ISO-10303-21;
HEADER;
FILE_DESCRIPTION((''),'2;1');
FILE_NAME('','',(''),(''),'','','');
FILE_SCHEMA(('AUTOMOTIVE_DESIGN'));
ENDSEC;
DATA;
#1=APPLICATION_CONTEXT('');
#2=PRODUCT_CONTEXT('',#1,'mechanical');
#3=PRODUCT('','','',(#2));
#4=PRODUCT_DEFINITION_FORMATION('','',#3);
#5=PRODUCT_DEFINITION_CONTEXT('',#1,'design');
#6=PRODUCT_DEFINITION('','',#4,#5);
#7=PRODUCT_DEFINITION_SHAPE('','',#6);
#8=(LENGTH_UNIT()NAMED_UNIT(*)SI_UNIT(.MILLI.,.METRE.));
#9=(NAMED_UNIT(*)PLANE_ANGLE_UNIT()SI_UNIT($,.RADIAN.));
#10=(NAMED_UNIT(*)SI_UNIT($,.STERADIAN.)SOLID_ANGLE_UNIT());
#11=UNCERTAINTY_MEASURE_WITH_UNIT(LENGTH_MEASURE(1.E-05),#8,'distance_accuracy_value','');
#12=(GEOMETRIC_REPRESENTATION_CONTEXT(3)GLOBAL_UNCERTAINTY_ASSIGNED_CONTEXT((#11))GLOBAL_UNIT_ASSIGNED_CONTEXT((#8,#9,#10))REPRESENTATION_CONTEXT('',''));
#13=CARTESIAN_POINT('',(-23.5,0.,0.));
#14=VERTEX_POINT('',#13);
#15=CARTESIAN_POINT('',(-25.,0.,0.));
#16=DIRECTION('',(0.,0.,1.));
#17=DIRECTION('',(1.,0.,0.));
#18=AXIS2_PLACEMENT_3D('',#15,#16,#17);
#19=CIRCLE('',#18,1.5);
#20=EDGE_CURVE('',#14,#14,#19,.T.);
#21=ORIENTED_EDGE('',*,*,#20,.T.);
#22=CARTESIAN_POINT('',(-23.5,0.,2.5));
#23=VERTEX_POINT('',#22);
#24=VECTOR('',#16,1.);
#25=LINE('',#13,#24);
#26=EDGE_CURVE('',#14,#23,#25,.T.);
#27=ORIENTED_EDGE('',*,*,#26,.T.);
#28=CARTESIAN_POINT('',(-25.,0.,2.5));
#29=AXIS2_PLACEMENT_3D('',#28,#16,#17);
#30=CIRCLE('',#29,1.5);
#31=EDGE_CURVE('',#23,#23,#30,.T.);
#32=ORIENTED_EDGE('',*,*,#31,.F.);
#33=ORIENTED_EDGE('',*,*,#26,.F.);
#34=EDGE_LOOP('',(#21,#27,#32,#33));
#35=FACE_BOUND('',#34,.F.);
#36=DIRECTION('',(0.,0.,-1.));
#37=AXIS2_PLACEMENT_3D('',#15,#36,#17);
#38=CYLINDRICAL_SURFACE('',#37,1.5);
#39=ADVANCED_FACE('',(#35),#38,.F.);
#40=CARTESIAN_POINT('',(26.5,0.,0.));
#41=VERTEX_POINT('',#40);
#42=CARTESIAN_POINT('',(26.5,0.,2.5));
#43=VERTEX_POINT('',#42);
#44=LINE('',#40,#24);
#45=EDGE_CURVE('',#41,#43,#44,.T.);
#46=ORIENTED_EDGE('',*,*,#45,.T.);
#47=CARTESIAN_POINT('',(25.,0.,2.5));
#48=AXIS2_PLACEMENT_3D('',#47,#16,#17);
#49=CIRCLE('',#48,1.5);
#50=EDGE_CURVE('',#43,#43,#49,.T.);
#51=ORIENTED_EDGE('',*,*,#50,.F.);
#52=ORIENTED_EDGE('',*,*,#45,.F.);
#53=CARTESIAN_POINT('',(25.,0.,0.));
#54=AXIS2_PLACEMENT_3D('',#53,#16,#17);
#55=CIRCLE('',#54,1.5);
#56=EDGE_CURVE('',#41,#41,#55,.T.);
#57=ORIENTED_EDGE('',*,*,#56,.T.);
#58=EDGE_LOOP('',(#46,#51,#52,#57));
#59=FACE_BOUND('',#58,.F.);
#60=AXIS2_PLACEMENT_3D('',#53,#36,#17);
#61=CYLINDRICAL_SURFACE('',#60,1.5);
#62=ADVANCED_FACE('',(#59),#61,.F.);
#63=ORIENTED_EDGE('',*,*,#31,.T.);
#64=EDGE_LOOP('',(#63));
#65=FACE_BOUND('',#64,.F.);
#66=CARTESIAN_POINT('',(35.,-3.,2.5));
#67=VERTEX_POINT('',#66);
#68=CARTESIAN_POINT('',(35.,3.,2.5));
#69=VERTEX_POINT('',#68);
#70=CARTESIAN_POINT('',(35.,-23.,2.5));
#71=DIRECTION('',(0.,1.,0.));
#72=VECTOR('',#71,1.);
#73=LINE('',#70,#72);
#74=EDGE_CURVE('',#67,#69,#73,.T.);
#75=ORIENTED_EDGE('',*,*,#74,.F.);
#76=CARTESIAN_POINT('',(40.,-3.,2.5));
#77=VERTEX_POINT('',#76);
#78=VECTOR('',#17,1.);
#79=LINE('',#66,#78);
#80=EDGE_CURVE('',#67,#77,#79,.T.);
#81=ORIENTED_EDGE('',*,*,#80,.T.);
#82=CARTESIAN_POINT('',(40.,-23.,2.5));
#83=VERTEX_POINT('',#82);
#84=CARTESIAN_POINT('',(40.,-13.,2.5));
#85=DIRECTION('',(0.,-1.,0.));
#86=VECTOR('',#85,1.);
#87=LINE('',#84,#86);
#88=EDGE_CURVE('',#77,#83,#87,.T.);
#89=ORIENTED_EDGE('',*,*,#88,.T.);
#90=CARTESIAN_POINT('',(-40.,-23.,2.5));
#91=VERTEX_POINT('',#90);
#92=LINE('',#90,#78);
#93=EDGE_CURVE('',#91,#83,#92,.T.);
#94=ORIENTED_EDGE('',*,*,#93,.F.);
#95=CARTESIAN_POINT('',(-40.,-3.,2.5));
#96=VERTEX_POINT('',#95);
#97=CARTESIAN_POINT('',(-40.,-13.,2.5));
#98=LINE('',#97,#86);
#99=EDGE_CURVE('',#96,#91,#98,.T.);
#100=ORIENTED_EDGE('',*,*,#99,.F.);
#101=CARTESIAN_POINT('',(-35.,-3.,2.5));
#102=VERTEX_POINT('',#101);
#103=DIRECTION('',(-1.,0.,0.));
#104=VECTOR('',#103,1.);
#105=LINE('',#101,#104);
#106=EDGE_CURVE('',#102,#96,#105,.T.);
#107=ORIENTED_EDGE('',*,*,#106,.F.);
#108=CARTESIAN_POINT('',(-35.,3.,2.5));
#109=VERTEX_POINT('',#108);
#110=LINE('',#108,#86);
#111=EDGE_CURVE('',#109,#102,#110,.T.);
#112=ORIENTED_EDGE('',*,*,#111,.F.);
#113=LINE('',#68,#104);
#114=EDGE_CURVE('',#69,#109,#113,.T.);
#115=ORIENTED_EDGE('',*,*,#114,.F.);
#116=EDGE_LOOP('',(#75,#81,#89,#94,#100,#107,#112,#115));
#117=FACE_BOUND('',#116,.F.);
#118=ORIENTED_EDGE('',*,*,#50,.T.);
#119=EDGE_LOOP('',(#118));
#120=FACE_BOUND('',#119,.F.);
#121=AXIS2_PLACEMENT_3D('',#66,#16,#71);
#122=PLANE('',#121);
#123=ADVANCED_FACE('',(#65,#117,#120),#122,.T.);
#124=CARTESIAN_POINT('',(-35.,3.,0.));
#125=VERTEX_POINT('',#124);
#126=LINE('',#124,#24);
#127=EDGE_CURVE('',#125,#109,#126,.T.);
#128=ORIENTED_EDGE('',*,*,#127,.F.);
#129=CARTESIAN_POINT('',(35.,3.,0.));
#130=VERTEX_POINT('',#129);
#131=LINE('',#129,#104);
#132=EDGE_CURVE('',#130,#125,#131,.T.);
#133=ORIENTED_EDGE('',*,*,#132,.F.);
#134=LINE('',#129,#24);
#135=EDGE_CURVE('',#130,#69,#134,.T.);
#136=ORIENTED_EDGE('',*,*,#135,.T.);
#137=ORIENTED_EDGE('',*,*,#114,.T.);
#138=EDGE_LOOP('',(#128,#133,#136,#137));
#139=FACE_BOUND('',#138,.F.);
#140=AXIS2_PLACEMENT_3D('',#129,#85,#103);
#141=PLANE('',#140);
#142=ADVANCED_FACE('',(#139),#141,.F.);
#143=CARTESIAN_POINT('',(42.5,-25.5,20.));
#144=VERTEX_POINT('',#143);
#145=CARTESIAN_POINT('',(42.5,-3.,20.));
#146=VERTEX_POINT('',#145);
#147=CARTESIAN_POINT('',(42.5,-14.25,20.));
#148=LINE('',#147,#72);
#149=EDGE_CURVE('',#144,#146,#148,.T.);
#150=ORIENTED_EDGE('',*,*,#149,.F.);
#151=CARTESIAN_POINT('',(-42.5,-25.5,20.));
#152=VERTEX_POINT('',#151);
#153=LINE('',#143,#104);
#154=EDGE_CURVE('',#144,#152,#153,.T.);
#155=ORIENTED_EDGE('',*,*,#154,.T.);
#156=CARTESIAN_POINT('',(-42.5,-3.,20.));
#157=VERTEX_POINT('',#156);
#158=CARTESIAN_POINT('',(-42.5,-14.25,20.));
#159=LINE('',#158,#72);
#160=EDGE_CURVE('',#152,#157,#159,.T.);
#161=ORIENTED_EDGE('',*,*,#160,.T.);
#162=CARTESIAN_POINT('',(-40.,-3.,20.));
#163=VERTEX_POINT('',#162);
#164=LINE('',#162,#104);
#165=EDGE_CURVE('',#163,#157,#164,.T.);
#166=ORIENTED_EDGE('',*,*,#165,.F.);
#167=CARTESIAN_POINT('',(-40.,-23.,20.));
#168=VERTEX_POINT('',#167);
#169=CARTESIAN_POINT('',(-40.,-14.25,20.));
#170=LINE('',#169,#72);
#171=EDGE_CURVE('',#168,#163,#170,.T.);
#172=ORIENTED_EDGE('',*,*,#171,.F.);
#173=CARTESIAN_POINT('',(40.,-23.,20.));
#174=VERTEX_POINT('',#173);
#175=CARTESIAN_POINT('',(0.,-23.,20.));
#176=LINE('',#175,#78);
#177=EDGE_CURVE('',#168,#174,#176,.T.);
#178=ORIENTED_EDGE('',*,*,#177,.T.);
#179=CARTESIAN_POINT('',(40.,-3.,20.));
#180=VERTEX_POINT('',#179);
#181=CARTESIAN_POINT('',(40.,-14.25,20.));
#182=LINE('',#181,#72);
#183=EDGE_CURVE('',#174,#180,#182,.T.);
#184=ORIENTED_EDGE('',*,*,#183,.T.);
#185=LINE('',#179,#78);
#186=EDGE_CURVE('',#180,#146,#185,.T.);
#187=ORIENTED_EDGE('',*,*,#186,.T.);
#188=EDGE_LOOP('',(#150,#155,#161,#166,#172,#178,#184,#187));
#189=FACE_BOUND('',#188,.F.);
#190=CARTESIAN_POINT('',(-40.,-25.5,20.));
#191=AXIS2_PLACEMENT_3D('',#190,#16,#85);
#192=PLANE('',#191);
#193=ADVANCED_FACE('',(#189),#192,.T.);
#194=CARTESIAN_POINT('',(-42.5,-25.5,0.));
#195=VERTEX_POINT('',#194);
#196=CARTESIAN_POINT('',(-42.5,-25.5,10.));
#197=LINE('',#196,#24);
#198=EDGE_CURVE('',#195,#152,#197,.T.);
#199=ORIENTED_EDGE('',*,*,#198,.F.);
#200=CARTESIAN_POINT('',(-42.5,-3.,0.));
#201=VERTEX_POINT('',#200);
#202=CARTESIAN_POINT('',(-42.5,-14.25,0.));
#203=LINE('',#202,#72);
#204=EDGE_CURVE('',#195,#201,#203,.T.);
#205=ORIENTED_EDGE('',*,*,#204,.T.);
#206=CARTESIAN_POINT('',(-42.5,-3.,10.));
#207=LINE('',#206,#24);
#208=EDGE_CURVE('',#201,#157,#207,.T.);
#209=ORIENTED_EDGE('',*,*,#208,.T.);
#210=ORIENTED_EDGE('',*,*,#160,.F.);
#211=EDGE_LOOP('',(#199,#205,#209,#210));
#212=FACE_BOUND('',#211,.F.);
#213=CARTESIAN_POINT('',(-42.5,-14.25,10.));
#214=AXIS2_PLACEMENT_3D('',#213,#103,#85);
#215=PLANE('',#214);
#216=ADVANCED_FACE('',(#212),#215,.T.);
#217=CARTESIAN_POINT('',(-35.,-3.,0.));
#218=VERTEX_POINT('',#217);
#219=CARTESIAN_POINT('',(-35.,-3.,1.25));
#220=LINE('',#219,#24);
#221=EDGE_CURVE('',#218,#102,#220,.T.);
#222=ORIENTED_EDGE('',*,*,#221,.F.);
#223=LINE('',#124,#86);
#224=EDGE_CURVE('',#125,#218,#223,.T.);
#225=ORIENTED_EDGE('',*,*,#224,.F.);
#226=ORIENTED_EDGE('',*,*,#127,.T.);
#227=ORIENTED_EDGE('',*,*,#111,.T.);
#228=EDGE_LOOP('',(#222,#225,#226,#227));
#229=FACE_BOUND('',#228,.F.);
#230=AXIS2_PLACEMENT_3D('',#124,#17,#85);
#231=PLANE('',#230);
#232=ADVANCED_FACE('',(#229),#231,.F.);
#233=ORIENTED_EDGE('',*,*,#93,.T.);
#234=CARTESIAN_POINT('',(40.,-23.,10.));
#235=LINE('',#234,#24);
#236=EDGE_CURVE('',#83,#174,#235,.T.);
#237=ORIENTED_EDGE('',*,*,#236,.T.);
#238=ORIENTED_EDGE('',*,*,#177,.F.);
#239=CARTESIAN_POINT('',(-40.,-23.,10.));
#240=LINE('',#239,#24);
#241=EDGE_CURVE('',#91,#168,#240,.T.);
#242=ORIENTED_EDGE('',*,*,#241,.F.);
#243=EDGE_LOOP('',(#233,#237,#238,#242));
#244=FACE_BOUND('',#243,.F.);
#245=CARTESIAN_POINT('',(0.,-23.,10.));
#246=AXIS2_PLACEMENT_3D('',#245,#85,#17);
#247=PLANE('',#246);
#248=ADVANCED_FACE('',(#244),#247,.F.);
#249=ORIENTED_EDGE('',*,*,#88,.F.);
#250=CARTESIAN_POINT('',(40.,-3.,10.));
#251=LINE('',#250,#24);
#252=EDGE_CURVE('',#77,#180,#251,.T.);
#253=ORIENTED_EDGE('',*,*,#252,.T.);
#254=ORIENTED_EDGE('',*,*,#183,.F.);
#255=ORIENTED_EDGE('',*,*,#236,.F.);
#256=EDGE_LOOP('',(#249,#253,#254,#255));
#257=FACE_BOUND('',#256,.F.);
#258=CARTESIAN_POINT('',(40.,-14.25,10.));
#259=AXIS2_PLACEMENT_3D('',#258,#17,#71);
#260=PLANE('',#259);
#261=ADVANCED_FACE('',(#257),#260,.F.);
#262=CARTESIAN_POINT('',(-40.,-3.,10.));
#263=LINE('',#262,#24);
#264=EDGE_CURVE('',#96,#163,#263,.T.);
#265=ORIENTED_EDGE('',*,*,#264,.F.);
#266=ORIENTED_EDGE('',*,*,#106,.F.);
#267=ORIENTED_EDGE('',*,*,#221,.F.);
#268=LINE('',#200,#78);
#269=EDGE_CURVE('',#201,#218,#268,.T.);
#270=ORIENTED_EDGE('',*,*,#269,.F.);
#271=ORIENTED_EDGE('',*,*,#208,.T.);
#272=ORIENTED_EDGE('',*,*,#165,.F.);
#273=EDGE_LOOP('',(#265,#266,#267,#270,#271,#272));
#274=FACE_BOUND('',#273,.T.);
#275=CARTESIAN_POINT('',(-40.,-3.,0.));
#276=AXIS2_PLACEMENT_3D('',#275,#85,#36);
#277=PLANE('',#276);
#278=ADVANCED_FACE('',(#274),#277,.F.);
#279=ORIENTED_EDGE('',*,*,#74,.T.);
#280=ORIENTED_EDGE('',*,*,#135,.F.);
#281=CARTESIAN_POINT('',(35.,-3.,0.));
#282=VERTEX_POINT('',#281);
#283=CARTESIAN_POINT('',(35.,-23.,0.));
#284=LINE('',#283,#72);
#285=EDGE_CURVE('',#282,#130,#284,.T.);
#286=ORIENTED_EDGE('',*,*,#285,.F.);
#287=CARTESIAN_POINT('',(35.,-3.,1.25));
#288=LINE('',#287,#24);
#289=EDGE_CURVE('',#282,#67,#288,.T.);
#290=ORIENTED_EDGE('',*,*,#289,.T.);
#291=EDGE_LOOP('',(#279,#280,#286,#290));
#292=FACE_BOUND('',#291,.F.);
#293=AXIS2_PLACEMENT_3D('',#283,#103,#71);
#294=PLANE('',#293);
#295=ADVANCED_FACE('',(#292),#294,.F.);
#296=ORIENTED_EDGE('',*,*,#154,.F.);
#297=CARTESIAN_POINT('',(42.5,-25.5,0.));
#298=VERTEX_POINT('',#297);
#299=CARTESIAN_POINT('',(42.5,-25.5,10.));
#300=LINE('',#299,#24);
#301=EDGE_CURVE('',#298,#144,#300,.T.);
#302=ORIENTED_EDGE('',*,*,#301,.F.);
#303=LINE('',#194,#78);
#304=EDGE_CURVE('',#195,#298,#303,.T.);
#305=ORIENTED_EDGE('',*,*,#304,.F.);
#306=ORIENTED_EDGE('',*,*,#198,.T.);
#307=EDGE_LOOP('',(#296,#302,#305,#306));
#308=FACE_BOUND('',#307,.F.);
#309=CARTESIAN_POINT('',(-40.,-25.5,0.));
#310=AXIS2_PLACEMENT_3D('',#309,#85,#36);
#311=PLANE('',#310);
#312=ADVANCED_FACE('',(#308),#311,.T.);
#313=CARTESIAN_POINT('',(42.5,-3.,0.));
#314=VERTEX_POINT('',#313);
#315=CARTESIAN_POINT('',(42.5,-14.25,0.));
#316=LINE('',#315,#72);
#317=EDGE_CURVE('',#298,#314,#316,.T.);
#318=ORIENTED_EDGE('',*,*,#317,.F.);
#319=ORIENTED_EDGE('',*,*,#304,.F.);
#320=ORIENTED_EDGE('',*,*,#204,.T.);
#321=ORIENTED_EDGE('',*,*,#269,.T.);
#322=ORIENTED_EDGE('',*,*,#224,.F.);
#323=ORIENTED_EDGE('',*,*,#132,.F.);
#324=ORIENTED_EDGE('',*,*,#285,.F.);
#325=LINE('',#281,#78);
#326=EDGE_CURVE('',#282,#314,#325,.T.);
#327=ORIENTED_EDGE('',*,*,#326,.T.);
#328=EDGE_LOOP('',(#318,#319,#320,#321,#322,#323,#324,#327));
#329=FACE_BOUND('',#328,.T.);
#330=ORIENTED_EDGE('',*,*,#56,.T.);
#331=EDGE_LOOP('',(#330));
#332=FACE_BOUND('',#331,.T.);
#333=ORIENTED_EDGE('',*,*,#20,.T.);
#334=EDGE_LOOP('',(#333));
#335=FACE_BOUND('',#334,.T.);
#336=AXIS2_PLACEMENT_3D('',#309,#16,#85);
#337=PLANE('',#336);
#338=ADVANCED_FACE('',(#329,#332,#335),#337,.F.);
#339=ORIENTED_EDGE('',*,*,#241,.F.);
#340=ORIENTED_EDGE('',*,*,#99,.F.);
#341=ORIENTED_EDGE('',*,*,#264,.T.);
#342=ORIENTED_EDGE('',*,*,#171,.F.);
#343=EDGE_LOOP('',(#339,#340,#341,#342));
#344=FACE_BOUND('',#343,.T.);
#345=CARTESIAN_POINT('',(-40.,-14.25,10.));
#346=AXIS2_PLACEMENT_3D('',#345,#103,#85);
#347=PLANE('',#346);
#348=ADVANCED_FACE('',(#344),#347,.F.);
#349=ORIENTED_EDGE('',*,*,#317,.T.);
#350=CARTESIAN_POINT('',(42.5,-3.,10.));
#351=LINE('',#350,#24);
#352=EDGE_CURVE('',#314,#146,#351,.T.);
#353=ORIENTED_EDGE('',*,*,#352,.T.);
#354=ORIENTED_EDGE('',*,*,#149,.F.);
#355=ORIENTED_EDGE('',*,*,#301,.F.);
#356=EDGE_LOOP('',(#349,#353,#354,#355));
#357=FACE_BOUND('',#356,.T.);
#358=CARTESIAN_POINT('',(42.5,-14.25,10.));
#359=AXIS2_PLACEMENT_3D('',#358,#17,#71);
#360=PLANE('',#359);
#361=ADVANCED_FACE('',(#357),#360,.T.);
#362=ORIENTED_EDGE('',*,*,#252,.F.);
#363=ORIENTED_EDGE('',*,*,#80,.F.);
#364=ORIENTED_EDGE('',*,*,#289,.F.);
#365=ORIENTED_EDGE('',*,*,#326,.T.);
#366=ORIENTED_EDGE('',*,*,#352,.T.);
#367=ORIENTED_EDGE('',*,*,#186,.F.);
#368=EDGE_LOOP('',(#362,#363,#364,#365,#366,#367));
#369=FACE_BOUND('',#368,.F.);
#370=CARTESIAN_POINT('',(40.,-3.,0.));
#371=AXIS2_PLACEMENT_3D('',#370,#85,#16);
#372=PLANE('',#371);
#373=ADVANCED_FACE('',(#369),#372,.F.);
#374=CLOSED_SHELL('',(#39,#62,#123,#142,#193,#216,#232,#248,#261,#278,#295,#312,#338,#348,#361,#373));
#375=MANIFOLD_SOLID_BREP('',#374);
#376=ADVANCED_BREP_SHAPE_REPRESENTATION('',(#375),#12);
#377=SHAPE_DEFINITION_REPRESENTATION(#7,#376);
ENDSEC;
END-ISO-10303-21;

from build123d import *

# Parameters (mm, degrees)
F1_DEPTH  = 2.5
F2_R      = 1.5
F3_DEPTH  = 2.501
F4_W      = 20
F4_H      = 2.5
F5_DEPTH  = 5
F7_W      = 80
F7_H      = 20
F8_DEPTH  = 2.5
F9_W      = 22.5
F9_H      = 20
F10_DEPTH = 2.5


with BuildPart() as f1:
    # F0 (on Top) → F1 (new body)
    with BuildSketch(Plane.XY):
        Polygon((35, -3), (35, 3), (-35, 3), (-35, -3), (-35, -23), (35, -23), align=None)
    extrude(amount=F1_DEPTH)

    # F2 (on face) → F3 (cut, through all)
    with BuildSketch(Plane(origin=(0, 0, 0), x_dir=(1, 0, 0), z_dir=(0, 0, -1))):
        with Locations((-25, 0)):
            Circle(F2_R)
        with Locations((25, 0)):
            Circle(F2_R)
    extrude(amount=-F3_DEPTH, mode=Mode.SUBTRACT)

    # F4 (on face) → F5 (join)
    with BuildSketch(Plane(origin=(-35, 0, 0), x_dir=(0, -1, 0), z_dir=(-1, 0, 0))):
        with Locations((13, 1.25)):
            Rectangle(F4_W, F4_H)
    extrude(amount=F5_DEPTH)

    # F6: F1 across plane


with BuildPart() as f1_1:
    add(f1.part)
    add(f1.part.mirror(Plane.YZ))

    # F7 (on face) → F8 (join)
    with BuildSketch(Plane.XZ.offset(23)):
        with Locations((0, 10)):
            Rectangle(F7_W, F7_H)
    extrude(amount=F8_DEPTH)

    # F9 (on face) → F10 (join)
    with BuildSketch(Plane.YZ.offset(40)):
        with Locations((-14.25, 10)):
            Rectangle(F9_W, F9_H)
    extrude(amount=F10_DEPTH)

    # F11: F1 across plane


with BuildPart() as f1_2:
    add(f1_1.part)
    add(f1_1.part.mirror(Plane.YZ))


solid = f1_2.part
